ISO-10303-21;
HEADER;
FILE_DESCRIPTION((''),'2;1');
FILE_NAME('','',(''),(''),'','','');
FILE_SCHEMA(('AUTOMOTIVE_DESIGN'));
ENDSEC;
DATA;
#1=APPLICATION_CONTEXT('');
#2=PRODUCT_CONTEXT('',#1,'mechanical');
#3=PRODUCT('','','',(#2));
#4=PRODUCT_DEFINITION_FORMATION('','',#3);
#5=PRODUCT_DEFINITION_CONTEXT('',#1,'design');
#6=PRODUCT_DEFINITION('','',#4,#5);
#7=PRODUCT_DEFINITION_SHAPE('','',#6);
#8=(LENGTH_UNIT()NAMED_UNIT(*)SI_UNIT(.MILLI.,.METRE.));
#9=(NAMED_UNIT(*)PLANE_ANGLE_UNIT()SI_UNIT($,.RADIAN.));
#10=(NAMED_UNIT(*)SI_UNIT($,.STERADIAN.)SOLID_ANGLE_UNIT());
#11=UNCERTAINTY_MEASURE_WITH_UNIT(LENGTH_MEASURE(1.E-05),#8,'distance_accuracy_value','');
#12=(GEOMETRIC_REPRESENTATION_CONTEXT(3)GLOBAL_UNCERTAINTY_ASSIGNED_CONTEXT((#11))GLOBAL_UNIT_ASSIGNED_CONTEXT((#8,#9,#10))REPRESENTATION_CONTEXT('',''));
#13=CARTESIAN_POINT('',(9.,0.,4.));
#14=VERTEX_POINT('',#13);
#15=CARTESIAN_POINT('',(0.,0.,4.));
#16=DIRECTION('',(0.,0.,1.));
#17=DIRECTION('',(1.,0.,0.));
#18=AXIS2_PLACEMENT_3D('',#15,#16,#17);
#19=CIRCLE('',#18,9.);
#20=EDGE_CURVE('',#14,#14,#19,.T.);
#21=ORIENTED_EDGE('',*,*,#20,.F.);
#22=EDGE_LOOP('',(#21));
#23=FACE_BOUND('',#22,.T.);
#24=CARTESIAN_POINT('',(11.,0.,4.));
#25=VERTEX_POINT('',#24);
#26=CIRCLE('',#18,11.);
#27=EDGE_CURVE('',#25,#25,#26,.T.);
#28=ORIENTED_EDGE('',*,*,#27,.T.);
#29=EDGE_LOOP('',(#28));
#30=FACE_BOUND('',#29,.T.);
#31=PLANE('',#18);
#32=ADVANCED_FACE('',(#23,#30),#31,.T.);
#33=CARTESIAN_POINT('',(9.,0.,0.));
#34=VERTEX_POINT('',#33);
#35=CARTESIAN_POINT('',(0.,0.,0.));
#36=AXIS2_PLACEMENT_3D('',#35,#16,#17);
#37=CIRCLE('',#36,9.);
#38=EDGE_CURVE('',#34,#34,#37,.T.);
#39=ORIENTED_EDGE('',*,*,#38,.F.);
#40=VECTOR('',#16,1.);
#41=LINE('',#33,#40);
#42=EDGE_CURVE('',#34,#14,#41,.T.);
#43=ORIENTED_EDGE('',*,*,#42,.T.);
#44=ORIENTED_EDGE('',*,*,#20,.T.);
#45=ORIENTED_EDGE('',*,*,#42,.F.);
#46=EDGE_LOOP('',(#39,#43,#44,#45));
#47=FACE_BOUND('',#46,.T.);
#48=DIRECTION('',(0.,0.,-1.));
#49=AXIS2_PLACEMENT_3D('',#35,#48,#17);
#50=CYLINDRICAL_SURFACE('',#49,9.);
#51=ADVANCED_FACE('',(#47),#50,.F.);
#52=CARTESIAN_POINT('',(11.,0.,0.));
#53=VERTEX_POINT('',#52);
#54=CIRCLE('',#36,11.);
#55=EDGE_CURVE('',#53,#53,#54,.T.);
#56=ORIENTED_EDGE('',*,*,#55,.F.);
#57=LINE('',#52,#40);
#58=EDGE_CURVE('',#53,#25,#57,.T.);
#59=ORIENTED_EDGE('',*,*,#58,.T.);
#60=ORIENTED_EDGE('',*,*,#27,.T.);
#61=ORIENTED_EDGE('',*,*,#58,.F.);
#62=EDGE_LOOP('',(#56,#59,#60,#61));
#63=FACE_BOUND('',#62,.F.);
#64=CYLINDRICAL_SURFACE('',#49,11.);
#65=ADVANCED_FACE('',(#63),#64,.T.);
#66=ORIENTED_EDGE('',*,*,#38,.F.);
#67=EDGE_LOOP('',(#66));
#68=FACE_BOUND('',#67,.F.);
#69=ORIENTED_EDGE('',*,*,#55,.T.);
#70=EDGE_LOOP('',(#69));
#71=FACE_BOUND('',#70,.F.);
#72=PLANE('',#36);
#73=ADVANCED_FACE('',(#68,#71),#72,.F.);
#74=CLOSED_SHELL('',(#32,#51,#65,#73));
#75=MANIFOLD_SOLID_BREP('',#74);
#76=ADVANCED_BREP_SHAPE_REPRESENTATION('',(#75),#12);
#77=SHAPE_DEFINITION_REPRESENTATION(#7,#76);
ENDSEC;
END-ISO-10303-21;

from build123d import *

# Parameters (mm, degrees)
SKETCH_R   = 11
SKETCH_R_2 = 9
PAD_DEPTH  = 4


with BuildPart() as part:
    # Sketch → Pad (new body)
    with BuildSketch(Plane.XY):
        Circle(SKETCH_R)
        Circle(SKETCH_R_2, mode=Mode.SUBTRACT)
    extrude(amount=PAD_DEPTH)


solid = part.part
